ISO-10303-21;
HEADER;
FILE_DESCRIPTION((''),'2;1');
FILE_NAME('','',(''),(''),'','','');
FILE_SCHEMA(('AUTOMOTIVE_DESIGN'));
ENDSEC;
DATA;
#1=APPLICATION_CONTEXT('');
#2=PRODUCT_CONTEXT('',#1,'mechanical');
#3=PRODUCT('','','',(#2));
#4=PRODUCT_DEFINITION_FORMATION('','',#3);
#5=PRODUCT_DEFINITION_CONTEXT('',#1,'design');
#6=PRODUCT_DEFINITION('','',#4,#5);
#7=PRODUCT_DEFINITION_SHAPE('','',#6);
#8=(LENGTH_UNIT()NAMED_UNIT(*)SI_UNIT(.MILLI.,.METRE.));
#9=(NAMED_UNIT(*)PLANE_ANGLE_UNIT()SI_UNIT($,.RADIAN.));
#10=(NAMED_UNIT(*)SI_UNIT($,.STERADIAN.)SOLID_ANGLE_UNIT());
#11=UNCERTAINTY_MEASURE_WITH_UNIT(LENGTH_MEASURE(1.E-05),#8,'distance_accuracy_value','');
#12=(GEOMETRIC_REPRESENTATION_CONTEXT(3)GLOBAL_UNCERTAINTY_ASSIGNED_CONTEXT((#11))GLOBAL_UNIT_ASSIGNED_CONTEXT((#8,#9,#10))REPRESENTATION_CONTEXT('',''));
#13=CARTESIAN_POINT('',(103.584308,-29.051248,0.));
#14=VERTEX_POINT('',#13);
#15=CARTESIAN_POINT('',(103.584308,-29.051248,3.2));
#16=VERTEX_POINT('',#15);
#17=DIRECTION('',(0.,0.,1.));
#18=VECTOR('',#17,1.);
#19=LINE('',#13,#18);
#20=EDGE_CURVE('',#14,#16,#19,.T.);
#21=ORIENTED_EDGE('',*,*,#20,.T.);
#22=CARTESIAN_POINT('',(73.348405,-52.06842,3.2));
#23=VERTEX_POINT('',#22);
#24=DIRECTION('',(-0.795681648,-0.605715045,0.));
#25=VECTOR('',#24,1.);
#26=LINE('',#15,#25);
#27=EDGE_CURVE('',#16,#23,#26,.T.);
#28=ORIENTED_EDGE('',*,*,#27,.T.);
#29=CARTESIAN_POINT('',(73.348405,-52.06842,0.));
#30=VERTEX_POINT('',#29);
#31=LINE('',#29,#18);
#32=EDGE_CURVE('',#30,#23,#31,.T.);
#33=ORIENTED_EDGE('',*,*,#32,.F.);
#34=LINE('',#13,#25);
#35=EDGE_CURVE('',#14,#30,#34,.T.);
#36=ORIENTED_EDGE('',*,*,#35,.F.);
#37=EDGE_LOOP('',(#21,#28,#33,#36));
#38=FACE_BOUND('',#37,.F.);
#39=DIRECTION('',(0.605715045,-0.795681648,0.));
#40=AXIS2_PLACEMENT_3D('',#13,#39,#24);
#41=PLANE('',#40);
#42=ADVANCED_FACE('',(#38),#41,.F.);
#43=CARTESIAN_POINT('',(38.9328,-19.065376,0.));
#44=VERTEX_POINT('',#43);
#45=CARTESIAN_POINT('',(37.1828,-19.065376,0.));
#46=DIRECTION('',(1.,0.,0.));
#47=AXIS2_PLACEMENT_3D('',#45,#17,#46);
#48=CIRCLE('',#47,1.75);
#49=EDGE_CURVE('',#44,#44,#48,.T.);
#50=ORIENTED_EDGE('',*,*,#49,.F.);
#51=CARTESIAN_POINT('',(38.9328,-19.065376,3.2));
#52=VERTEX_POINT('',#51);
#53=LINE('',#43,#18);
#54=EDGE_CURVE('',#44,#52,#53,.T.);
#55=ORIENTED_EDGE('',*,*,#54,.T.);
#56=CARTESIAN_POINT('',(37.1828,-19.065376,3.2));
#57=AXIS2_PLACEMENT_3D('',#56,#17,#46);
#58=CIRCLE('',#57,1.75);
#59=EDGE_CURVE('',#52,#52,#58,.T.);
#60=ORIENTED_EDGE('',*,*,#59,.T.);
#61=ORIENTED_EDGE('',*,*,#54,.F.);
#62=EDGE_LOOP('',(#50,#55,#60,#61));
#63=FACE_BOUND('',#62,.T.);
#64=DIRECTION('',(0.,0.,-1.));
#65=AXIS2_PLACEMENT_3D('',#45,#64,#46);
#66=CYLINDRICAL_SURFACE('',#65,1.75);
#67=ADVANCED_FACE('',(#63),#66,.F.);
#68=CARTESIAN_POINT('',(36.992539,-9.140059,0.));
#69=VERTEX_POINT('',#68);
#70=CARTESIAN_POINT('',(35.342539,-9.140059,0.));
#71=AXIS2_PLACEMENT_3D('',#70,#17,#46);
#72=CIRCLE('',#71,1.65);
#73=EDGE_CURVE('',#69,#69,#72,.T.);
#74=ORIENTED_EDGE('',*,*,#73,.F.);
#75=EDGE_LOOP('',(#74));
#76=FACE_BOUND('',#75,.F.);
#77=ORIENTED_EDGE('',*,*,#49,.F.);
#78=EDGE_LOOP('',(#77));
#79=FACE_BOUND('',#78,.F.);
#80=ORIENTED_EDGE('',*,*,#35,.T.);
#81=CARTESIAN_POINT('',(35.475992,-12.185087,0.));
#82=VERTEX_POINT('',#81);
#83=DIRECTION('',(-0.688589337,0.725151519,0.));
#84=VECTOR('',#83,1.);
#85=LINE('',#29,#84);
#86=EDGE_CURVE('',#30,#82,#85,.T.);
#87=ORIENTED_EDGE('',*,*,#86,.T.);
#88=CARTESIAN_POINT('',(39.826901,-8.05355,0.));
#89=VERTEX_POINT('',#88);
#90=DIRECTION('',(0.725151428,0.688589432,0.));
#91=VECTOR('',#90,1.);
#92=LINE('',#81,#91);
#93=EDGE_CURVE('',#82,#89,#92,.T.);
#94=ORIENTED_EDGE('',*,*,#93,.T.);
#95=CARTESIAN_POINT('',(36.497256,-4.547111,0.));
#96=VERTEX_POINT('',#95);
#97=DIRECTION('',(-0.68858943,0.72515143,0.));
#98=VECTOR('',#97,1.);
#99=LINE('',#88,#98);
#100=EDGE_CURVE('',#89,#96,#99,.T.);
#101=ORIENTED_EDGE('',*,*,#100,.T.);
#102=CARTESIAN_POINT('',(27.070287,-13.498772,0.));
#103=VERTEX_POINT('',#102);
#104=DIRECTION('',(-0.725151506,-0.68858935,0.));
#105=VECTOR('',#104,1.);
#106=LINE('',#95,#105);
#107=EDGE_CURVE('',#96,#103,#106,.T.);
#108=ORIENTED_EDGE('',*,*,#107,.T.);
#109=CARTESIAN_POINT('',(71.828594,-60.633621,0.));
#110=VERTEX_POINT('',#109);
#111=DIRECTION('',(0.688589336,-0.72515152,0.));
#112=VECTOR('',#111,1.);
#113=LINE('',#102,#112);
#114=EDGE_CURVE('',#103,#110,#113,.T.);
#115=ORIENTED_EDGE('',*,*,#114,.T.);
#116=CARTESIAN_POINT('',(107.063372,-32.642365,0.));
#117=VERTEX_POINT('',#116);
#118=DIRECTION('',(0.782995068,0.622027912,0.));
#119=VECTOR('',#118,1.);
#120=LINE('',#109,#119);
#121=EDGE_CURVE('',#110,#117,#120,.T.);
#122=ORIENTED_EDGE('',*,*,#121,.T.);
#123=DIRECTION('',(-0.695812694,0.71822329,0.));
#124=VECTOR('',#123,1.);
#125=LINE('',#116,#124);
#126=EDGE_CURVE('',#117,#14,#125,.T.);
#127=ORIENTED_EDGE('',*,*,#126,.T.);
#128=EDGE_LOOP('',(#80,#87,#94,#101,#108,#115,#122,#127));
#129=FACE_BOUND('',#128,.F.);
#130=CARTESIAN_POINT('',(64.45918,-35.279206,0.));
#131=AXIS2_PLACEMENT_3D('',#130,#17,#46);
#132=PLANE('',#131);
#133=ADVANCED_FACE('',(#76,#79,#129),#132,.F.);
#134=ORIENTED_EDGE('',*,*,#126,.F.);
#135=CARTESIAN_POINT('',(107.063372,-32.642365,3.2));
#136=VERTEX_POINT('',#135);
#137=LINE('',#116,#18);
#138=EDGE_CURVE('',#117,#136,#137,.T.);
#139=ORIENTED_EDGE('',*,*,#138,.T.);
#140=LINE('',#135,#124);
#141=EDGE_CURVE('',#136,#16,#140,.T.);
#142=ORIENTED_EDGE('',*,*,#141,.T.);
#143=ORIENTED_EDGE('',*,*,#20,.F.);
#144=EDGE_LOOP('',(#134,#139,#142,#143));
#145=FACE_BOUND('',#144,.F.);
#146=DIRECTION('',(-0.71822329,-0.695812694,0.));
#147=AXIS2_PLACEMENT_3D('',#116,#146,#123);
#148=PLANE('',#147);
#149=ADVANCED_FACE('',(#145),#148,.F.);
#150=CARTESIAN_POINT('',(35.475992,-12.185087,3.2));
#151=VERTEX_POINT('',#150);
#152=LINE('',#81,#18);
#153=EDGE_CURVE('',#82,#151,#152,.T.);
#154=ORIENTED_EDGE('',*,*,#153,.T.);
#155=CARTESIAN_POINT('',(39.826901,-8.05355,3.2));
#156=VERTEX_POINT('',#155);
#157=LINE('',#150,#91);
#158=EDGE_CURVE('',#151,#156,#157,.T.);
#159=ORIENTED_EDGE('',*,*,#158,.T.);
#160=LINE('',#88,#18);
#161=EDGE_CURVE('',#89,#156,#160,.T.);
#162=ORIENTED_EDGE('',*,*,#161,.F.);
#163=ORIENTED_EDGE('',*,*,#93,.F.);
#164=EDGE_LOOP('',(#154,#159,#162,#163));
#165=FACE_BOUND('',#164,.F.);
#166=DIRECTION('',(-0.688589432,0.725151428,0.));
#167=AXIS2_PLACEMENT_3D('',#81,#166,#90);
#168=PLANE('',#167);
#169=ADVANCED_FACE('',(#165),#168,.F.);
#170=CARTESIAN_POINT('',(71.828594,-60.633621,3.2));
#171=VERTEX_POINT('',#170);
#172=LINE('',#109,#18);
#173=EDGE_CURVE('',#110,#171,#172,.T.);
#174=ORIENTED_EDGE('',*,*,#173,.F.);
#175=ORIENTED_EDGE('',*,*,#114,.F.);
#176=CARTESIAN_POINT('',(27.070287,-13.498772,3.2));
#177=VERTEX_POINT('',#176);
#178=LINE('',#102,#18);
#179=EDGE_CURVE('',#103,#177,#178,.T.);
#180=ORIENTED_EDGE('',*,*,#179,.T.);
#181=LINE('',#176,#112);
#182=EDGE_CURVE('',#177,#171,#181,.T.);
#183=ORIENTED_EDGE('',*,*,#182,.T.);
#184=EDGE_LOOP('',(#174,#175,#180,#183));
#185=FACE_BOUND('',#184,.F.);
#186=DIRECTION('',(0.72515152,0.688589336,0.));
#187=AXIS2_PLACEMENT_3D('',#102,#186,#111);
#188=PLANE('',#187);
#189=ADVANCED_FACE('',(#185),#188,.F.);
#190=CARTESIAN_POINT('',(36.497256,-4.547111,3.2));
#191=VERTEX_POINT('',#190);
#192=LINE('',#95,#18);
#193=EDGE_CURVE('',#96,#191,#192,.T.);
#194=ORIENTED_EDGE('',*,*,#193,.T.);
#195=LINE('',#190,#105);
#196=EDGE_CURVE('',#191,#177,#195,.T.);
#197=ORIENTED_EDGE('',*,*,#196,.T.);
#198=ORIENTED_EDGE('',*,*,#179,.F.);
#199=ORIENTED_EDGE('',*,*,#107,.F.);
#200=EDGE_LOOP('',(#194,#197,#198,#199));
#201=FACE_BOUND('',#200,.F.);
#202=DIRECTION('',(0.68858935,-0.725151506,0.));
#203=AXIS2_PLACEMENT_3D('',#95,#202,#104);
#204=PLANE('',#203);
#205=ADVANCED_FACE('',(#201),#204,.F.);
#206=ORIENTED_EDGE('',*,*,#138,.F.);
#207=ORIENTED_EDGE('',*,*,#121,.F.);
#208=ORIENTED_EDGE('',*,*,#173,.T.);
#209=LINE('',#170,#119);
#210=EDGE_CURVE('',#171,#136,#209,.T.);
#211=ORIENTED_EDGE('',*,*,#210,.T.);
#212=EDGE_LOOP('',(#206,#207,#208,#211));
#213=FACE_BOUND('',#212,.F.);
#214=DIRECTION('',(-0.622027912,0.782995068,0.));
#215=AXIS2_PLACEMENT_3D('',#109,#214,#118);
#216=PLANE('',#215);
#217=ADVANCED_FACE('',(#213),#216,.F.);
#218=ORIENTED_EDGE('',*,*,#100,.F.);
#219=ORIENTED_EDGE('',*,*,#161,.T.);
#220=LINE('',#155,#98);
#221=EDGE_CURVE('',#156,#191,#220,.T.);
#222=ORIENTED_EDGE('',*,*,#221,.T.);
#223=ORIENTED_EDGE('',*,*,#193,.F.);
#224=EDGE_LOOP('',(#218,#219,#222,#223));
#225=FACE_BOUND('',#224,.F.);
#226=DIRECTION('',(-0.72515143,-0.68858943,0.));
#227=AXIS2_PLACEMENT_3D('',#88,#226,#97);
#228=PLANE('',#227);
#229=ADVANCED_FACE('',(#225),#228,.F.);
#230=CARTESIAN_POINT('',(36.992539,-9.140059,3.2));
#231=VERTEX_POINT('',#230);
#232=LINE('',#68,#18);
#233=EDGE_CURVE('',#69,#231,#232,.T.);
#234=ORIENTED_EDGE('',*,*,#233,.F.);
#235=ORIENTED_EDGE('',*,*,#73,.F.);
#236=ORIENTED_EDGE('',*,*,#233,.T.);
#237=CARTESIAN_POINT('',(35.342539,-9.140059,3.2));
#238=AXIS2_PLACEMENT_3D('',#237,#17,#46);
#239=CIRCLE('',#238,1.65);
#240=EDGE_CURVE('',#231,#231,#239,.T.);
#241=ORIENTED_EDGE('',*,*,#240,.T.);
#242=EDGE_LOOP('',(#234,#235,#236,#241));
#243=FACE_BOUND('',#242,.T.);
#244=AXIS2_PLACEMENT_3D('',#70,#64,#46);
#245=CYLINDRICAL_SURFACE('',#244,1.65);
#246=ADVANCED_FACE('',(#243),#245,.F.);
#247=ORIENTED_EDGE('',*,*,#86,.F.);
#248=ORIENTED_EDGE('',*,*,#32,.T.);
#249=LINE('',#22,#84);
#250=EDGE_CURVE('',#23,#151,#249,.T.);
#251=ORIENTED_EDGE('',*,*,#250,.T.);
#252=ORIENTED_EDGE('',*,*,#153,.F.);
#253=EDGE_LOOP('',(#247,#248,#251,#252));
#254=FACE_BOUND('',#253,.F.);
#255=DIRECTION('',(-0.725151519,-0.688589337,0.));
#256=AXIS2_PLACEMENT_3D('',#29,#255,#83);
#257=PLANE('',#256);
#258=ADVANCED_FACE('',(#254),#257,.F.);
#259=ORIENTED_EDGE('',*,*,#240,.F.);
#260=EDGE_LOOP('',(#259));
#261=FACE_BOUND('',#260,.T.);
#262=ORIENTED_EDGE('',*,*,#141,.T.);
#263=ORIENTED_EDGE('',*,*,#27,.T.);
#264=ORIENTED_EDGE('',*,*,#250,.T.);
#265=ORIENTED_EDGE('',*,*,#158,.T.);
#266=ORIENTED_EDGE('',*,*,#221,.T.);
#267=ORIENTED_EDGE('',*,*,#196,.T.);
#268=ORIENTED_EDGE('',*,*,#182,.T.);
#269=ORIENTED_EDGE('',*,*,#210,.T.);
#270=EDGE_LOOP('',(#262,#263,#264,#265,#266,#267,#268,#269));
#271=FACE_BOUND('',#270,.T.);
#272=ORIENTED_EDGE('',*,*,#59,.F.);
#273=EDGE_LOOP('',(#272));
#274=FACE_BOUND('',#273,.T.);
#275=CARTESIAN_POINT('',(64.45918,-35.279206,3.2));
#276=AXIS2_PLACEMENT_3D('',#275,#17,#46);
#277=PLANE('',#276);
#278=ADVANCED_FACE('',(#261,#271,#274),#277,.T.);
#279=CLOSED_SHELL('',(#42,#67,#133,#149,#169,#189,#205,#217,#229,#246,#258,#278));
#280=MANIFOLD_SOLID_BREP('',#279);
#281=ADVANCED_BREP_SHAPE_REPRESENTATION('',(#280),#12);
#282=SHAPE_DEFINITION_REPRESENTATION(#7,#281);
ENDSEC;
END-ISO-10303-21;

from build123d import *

# Parameters (mm, degrees)
F0_R     = 1.75
F0_R_2   = 1.65
F1_DEPTH = 3.2


with BuildPart() as f1:
    # F0 (on Top) → F1 (new body)
    with BuildSketch(Plane.XY):
        Polygon((71.828594, -60.633621), (107.063372, -32.642365), (103.584308, -29.051248), (73.348405, -52.06842), (35.475992, -12.185087), (39.826901, -8.05355), (36.497256, -4.547111), (27.070287, -13.498772), align=None)
        with Locations((37.1828, -19.065376)):
            Circle(F0_R, mode=Mode.SUBTRACT)
        with Locations((35.342539, -9.140059)):
            Circle(F0_R_2, mode=Mode.SUBTRACT)
    extrude(amount=F1_DEPTH)


solid = f1.part
